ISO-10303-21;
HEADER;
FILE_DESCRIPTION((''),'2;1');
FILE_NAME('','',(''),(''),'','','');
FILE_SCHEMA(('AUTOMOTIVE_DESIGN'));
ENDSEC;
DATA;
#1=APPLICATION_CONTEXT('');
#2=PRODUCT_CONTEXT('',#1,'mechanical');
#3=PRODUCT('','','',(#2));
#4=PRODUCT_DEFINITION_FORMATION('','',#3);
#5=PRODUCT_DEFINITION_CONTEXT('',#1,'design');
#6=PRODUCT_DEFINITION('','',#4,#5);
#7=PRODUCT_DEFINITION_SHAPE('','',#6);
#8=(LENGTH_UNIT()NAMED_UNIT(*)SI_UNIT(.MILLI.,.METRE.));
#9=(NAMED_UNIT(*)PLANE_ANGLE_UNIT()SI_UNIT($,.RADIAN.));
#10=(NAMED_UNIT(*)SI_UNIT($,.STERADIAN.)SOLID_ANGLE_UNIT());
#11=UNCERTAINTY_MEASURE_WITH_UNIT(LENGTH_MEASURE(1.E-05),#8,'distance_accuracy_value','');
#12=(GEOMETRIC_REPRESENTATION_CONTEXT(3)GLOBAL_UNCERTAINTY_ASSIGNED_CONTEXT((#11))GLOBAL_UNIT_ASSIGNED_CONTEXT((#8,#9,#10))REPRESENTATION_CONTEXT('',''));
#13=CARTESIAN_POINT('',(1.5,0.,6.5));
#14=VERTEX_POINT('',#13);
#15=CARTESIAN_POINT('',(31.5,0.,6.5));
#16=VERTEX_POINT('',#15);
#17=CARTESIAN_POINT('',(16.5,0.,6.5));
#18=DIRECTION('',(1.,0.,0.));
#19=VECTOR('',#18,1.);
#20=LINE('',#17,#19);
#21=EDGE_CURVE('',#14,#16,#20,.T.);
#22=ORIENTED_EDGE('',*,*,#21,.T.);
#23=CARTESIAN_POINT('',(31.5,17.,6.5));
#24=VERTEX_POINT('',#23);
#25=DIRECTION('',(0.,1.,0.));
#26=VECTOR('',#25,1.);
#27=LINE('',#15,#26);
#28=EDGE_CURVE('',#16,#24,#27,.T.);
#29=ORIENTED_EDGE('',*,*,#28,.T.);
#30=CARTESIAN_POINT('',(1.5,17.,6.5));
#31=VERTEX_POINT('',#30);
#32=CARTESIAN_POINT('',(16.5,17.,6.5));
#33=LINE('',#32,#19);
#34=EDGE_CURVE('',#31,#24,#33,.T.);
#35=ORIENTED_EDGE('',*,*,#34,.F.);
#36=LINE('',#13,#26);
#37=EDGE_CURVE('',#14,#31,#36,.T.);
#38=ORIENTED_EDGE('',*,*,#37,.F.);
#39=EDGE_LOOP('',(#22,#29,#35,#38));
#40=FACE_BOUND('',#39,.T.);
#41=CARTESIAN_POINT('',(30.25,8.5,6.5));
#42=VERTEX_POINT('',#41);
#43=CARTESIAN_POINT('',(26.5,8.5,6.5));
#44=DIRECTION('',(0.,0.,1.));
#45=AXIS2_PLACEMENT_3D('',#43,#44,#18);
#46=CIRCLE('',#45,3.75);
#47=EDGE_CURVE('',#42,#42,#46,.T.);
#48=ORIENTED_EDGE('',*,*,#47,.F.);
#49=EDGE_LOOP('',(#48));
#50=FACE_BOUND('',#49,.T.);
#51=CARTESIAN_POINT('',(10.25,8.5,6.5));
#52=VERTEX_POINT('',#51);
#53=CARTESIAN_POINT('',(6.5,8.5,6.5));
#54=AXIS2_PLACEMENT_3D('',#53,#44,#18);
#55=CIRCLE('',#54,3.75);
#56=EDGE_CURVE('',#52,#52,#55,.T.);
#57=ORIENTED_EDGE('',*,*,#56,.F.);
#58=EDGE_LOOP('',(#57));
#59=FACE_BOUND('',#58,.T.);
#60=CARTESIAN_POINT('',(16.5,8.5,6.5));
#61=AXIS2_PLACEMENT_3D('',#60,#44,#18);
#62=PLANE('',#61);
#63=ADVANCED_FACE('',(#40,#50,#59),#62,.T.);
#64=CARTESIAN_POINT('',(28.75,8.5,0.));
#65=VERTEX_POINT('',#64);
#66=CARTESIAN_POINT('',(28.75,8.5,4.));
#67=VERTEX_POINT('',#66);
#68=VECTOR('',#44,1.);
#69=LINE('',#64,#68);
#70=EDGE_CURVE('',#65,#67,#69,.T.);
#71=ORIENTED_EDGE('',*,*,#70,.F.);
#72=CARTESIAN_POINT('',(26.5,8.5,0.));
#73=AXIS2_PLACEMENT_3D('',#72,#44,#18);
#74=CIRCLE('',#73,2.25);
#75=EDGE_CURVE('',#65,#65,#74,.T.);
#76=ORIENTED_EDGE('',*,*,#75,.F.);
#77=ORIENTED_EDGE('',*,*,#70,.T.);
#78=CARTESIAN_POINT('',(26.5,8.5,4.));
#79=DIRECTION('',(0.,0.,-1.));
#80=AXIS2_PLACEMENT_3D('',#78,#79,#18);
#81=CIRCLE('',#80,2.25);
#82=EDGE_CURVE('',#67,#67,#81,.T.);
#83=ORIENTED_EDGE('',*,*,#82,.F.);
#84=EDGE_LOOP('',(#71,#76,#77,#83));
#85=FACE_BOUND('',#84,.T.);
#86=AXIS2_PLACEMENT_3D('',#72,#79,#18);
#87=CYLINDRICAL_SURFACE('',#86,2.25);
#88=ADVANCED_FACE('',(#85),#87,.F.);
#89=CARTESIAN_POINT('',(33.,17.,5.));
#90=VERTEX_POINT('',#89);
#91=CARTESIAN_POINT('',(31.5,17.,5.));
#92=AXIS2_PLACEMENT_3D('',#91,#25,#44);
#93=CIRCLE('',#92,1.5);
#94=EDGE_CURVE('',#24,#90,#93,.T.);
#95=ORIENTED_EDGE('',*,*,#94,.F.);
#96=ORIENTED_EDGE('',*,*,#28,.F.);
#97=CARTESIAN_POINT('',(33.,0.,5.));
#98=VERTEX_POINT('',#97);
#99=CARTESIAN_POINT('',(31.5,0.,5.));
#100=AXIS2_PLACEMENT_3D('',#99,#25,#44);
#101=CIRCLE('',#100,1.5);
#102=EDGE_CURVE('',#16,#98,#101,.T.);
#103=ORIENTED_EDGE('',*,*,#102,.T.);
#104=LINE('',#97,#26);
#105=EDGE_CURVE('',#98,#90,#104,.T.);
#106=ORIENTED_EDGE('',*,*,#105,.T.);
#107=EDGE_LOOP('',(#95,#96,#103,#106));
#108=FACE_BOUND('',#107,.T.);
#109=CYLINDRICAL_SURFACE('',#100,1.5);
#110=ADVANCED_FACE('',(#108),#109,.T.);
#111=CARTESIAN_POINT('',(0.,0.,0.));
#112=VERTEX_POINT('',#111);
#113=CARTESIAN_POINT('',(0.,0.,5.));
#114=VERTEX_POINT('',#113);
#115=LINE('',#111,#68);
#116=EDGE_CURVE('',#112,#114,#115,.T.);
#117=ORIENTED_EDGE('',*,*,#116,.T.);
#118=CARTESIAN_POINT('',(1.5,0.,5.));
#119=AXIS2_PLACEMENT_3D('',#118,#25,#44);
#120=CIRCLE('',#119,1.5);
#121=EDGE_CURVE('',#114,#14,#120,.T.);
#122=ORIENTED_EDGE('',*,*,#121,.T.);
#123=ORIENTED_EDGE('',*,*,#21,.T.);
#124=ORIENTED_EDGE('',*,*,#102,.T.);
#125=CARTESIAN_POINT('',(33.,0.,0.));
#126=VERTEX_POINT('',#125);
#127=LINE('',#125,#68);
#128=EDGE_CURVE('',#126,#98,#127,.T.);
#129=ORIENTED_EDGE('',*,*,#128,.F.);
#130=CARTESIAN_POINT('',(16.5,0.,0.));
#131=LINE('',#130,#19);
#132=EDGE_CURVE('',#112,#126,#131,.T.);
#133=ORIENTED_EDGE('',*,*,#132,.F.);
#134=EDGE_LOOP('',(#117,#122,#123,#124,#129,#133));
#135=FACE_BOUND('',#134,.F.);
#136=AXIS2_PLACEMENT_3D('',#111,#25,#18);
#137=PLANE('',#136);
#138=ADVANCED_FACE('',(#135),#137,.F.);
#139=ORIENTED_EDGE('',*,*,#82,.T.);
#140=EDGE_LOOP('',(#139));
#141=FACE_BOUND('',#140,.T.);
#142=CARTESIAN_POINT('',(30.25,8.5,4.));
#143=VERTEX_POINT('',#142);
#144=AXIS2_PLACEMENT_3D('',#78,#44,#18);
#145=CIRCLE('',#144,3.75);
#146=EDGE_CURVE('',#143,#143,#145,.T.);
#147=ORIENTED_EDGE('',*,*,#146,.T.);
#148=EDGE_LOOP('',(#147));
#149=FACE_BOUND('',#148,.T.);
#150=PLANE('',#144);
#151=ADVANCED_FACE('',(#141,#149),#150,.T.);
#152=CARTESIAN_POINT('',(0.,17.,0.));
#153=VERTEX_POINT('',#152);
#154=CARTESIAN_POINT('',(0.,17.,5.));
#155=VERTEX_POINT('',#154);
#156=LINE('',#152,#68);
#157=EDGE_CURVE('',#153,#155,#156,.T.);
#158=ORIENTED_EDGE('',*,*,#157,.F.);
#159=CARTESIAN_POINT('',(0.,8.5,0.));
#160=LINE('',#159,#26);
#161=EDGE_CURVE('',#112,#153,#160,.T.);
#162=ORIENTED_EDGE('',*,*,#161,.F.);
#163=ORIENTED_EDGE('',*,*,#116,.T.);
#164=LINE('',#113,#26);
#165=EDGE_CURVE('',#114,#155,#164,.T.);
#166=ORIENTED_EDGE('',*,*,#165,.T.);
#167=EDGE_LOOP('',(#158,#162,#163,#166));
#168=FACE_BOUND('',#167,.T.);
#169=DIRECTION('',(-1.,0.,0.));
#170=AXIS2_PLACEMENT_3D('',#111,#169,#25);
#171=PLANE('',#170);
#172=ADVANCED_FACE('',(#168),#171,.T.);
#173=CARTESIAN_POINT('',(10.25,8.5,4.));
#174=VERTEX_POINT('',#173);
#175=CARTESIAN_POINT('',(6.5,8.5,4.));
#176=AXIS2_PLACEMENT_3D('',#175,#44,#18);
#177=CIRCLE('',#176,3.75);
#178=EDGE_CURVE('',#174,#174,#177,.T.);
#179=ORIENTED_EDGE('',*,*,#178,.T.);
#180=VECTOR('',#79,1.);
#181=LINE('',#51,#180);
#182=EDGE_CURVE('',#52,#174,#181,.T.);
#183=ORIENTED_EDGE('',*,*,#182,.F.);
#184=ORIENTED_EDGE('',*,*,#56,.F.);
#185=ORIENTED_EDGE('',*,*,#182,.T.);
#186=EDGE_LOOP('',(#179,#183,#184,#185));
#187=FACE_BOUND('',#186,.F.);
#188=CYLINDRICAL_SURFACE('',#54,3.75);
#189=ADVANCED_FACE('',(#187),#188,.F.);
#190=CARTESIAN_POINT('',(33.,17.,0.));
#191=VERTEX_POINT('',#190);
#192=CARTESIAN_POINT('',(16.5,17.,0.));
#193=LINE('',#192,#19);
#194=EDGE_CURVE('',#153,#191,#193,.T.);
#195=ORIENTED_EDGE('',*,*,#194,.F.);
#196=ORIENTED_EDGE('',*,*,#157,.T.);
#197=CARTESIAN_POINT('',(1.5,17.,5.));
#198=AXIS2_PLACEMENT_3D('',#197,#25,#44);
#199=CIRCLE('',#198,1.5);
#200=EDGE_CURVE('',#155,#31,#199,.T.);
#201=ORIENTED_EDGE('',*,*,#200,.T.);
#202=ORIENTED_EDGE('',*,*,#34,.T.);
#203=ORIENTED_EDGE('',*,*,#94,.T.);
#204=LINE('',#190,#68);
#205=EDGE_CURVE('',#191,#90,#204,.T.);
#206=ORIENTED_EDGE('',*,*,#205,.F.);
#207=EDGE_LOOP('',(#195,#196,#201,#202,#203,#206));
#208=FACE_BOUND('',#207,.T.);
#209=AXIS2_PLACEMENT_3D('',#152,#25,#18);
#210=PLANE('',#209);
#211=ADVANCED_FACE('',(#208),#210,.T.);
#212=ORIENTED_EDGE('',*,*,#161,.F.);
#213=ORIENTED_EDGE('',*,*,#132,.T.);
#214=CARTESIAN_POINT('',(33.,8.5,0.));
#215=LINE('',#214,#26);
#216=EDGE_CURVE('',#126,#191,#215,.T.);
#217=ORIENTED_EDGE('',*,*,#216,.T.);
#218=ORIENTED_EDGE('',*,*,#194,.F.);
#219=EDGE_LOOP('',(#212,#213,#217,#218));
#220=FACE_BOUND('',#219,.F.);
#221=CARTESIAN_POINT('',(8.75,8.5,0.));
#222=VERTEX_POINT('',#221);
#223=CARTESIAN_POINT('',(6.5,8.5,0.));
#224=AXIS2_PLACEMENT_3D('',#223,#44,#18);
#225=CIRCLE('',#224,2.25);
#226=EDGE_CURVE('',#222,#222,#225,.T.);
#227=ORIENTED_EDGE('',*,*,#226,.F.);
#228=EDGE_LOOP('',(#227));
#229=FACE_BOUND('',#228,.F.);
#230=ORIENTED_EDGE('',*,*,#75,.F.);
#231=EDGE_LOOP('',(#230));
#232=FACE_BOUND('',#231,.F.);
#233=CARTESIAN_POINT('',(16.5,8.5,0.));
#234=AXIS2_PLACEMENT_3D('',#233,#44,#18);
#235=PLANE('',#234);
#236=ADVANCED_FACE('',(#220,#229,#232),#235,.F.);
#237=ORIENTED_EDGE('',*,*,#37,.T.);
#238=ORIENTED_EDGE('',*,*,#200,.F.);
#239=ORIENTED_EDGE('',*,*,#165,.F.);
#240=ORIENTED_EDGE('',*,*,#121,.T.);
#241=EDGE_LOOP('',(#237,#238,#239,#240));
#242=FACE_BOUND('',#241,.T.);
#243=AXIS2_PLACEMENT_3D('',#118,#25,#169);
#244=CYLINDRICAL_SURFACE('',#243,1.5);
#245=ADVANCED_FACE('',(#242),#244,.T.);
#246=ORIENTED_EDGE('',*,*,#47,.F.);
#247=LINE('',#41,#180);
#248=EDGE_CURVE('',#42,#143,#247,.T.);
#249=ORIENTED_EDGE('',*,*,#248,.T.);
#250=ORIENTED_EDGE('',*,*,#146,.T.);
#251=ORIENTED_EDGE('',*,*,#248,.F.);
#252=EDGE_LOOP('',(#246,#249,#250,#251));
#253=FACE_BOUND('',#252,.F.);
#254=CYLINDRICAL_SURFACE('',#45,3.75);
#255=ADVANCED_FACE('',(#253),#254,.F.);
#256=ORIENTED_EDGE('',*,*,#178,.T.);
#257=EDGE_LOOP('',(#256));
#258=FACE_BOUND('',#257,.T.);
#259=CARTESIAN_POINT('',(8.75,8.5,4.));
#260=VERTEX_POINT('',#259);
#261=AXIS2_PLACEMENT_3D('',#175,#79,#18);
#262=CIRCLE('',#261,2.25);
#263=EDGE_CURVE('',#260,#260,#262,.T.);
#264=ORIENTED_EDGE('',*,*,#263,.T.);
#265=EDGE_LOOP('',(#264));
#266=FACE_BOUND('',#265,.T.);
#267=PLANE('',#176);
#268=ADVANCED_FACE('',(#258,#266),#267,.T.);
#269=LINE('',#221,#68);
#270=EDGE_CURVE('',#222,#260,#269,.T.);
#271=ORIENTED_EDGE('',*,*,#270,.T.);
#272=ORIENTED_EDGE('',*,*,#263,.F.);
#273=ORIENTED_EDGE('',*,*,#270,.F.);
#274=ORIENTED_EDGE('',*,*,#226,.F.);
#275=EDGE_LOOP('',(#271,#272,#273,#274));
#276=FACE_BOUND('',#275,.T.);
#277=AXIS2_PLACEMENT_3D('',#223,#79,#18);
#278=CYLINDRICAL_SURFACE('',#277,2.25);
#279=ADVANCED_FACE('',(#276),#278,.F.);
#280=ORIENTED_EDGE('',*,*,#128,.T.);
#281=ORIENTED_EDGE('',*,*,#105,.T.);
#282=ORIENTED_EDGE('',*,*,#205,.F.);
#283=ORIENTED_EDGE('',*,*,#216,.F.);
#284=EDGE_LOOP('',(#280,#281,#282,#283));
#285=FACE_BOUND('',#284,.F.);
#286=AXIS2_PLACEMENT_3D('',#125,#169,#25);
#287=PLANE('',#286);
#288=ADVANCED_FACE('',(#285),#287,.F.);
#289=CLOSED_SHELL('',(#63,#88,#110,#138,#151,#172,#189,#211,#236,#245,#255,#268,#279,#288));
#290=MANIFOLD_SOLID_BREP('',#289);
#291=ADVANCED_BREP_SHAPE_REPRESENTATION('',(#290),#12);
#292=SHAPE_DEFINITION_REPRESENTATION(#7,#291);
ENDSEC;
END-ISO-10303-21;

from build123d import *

# Parameters (mm, degrees)
SKETCH_W     = 33
SKETCH_H     = 17
SKETCH_R     = 2.25
PAD_DEPTH    = 6.5
SKETCH001_R  = 3.75
POCKET_DEPTH = 2.5
FILLET_R     = 1.5


with BuildPart() as part:
    # Sketch → Pad (new body)
    with BuildSketch(Plane.XY):
        with Locations((16.5, 8.5)):
            Rectangle(SKETCH_W, SKETCH_H)
        with Locations((6.5, 8.5)):
            Circle(SKETCH_R, mode=Mode.SUBTRACT)
        with Locations((26.5, 8.5)):
            Circle(SKETCH_R, mode=Mode.SUBTRACT)
    extrude(amount=PAD_DEPTH)

    # Sketch001 (on Face8 of Pad) → Pocket (cut)
    with BuildSketch(Plane.XY.offset(6.5)):
        with Locations((6.5, 8.5)):
            Circle(SKETCH001_R)
        with Locations((26.5, 8.5)):
            Circle(SKETCH001_R)
    extrude(amount=-POCKET_DEPTH, mode=Mode.SUBTRACT)

    # Fillet
    fillet_edges = [part.edges().sort_by_distance(p)[0] for p in [
        (33, 8.5, 6.5),
        (0, 8.5, 6.5),
    ]]
    fillet(fillet_edges, radius=FILLET_R)


solid = part.part
